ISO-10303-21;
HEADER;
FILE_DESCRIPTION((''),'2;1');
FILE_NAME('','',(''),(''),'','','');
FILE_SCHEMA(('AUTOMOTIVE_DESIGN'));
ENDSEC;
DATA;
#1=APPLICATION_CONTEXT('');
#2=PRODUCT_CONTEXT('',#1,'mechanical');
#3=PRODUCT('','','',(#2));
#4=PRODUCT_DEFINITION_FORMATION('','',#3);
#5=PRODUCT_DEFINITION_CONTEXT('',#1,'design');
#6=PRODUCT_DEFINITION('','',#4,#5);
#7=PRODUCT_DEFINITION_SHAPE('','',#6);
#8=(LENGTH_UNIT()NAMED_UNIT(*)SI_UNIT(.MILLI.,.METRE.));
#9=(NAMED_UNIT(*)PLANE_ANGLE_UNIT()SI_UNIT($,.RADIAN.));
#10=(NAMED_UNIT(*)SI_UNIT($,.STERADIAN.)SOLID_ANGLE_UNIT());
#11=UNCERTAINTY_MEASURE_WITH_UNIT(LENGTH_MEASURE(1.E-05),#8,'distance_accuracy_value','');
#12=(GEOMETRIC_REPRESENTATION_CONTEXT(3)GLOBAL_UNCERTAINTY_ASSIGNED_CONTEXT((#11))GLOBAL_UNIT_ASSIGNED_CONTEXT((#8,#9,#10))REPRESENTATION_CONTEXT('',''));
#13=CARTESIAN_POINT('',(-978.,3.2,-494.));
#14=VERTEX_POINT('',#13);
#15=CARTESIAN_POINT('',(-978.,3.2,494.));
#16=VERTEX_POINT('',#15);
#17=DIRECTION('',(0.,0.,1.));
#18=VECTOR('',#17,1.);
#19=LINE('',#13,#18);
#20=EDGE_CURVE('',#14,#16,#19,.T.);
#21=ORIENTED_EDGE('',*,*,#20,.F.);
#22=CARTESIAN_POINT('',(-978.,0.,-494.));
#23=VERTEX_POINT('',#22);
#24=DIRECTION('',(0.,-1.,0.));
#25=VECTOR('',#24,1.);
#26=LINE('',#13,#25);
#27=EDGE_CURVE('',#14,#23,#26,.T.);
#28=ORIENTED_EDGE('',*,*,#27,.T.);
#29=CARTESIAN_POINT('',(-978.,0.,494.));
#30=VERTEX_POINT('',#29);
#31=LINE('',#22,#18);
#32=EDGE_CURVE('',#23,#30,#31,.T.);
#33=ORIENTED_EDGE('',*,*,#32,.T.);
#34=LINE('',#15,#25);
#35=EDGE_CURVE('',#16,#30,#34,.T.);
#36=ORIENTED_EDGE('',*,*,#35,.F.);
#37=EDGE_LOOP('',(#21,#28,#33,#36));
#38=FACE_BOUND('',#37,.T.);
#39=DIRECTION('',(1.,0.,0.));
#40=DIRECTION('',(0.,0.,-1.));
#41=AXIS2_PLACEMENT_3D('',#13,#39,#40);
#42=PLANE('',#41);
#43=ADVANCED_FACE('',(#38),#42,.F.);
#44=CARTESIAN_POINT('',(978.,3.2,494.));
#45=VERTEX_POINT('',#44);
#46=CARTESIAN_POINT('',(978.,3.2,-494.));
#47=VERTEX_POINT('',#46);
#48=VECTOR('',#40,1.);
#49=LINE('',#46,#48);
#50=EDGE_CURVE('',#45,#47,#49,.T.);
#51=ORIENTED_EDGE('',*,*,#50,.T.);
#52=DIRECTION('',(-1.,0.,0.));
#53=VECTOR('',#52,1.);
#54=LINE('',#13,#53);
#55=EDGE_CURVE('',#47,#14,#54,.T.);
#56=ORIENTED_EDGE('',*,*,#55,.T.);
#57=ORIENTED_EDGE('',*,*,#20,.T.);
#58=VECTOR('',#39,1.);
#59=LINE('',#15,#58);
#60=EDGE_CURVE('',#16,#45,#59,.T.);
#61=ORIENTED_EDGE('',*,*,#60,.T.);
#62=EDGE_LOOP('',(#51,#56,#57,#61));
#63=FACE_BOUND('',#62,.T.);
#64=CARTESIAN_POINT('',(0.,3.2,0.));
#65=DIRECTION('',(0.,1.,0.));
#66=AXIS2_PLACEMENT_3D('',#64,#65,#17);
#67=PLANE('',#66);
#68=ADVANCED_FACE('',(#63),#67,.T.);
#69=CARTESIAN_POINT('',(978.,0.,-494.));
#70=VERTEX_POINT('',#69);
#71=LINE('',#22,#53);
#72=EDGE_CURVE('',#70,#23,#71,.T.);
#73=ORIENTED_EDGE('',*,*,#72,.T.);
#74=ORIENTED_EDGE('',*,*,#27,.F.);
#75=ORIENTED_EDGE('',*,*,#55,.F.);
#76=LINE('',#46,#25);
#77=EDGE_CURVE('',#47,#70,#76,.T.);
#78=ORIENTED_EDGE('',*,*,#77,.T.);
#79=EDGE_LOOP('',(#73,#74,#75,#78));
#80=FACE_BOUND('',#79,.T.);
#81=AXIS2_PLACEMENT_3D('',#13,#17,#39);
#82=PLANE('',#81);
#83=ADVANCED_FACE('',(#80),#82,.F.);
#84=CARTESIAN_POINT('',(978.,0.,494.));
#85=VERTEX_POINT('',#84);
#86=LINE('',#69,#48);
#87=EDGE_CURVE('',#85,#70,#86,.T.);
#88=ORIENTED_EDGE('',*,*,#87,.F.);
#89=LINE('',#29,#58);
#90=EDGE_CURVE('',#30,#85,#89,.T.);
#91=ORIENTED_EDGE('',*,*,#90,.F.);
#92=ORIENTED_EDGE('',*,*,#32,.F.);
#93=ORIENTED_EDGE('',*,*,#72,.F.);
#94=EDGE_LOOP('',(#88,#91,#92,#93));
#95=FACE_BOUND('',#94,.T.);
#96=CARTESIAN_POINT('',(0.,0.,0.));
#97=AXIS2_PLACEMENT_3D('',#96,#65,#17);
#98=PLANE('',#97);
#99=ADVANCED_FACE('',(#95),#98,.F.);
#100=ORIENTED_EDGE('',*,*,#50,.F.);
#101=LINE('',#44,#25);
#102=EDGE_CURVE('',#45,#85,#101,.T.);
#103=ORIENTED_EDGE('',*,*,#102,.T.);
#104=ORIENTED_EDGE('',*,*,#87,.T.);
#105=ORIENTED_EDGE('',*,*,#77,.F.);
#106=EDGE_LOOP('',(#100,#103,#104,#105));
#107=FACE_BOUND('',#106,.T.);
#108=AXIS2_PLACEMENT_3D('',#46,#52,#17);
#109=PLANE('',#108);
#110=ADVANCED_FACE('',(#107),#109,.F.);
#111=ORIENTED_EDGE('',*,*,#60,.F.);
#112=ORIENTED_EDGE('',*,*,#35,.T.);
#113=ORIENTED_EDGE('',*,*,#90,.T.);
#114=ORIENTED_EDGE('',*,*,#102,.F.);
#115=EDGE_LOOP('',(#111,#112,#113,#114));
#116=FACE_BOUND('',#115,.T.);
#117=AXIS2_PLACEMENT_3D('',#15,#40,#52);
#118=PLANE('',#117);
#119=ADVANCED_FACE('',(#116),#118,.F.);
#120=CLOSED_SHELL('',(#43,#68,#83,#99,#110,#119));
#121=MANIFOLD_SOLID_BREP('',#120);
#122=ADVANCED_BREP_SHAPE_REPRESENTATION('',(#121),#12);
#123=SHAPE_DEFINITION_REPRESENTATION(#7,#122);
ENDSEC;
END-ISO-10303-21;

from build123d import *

# Parameters (mm, degrees)
SKETCH1_W           = 1956
SKETCH1_H           = 988
BOSS_EXTRUDE1_DEPTH = 3.2


with BuildPart() as part:
    # Sketch1 → Boss-Extrude1 (new body)
    with BuildSketch(Plane(origin=(0, 0, 0), x_dir=(1, 0, 0), z_dir=(0, 1, 0))):
        Rectangle(SKETCH1_W, SKETCH1_H)
    extrude(amount=BOSS_EXTRUDE1_DEPTH)


solid = part.part
